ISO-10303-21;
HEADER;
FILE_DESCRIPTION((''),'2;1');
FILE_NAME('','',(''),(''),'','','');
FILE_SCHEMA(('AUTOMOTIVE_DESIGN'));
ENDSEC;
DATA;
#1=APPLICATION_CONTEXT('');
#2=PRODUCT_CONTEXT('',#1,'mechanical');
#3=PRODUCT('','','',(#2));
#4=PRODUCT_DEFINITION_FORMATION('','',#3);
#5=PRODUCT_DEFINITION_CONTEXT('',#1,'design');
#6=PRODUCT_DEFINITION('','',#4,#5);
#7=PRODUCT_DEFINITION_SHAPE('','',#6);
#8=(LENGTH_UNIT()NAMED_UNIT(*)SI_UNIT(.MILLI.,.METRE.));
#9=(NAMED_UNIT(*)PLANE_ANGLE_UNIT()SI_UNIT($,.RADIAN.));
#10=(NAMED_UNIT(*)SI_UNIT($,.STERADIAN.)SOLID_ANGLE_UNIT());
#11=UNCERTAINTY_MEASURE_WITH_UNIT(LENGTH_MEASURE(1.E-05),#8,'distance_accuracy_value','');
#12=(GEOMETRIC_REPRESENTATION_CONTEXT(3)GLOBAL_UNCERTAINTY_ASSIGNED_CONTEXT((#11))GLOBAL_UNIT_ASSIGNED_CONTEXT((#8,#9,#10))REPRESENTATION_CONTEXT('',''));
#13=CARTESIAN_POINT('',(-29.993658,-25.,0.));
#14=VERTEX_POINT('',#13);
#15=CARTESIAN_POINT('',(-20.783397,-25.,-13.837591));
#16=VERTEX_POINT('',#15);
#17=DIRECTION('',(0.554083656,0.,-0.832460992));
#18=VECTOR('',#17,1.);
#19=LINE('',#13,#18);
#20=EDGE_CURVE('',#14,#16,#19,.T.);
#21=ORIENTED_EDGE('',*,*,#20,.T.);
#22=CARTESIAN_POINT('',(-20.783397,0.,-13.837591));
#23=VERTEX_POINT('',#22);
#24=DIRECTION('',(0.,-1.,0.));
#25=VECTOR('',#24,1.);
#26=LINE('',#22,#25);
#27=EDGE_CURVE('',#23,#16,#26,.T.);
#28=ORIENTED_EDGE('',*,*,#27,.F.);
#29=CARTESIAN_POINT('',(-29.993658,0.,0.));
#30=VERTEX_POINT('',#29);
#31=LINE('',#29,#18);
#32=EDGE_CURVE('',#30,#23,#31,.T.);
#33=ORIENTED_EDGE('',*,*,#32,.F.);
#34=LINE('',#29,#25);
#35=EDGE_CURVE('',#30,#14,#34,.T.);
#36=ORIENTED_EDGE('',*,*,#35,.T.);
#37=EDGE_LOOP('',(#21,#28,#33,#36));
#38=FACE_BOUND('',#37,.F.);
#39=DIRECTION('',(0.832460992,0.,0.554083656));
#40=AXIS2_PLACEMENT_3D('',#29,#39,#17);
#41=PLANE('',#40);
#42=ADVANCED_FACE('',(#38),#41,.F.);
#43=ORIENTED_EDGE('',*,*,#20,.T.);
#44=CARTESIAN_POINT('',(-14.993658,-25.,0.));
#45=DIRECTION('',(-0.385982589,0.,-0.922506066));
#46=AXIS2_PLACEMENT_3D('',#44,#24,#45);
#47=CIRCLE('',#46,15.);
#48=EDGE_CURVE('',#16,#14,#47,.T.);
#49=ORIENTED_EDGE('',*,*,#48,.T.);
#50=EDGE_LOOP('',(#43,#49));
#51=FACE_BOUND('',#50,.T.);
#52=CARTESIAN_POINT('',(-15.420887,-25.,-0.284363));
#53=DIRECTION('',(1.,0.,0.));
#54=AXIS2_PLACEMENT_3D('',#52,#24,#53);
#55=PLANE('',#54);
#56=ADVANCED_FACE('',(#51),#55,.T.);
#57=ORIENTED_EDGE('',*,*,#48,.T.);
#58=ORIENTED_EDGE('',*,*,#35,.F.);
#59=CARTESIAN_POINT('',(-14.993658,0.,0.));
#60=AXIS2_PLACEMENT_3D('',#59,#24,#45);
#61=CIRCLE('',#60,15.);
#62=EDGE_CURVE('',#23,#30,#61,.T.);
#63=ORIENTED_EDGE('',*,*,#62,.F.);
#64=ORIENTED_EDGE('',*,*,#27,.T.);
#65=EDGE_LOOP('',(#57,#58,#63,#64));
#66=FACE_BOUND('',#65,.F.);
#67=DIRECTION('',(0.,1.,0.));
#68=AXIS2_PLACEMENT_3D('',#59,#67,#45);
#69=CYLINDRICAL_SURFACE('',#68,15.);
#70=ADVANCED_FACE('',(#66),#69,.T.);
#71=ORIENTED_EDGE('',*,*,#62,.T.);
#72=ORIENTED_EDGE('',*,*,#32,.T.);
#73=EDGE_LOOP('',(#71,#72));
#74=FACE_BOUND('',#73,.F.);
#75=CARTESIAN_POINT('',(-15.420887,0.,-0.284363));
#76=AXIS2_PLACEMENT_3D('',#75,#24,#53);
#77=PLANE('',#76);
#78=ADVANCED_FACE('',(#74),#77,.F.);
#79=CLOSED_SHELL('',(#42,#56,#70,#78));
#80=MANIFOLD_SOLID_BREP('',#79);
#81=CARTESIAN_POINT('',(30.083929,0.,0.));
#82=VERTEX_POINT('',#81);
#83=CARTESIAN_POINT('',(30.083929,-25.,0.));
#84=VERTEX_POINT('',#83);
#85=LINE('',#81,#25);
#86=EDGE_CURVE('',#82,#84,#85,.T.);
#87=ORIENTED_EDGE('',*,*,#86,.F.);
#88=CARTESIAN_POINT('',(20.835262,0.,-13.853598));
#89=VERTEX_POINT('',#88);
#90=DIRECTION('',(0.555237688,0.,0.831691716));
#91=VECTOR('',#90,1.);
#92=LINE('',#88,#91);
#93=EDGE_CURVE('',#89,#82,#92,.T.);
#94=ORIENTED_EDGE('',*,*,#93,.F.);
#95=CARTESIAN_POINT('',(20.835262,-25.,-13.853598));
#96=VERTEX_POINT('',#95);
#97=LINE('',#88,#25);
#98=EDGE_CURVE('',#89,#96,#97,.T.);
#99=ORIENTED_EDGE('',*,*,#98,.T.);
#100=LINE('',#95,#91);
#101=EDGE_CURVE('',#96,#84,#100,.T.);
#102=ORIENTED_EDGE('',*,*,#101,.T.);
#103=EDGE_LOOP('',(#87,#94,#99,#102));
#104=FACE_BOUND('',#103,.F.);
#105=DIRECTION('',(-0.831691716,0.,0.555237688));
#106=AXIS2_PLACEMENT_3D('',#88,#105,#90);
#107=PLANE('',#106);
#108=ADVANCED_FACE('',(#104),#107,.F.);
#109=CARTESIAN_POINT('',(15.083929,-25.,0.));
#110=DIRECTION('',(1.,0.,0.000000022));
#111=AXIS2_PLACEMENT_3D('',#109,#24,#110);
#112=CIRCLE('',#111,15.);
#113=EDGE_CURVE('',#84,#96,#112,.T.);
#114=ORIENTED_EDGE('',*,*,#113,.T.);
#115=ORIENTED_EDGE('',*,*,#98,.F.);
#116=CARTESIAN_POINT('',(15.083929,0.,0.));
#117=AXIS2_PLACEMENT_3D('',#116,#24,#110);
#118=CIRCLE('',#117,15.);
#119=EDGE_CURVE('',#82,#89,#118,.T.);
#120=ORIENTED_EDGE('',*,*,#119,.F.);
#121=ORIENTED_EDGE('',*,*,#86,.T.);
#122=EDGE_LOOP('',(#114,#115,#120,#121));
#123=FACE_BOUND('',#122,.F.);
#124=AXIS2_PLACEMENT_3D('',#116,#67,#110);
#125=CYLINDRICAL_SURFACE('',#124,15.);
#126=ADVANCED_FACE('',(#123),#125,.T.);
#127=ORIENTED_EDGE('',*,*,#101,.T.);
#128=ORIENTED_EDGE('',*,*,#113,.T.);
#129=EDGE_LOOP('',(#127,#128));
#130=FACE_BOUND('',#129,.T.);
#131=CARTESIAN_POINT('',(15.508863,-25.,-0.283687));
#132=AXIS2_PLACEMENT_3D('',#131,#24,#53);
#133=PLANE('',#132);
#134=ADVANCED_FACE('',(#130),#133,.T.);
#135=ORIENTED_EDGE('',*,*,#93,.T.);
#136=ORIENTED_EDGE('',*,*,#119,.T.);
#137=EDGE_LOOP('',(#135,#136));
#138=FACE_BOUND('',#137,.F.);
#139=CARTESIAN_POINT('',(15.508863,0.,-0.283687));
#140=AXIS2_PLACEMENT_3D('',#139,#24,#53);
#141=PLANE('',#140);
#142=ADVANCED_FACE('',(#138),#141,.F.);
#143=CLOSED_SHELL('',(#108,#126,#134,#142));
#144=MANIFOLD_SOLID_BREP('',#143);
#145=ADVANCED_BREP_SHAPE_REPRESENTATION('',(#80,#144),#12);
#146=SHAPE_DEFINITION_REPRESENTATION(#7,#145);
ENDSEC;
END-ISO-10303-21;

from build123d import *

# Parameters (mm, degrees)
F1_DEPTH = 25


with BuildPart() as f1:
    # F0 (on Front) → F1 (new body)
    with BuildSketch(Plane.XZ):
        with BuildLine():
            Line((-29.993658, 0), (-20.783397, -13.837591))
            ThreePointArc((-20.783397, -13.837591), (-2.506744, 8.311255), (-29.993658, 0))
        make_face()
        with BuildLine():
            ThreePointArc((30.083929, 0), (2.608554, 8.328566), (20.835262, -13.853598))
            Line((20.835262, -13.853598), (30.083929, 0))
        make_face()
    extrude(amount=F1_DEPTH)


solid = f1.part
